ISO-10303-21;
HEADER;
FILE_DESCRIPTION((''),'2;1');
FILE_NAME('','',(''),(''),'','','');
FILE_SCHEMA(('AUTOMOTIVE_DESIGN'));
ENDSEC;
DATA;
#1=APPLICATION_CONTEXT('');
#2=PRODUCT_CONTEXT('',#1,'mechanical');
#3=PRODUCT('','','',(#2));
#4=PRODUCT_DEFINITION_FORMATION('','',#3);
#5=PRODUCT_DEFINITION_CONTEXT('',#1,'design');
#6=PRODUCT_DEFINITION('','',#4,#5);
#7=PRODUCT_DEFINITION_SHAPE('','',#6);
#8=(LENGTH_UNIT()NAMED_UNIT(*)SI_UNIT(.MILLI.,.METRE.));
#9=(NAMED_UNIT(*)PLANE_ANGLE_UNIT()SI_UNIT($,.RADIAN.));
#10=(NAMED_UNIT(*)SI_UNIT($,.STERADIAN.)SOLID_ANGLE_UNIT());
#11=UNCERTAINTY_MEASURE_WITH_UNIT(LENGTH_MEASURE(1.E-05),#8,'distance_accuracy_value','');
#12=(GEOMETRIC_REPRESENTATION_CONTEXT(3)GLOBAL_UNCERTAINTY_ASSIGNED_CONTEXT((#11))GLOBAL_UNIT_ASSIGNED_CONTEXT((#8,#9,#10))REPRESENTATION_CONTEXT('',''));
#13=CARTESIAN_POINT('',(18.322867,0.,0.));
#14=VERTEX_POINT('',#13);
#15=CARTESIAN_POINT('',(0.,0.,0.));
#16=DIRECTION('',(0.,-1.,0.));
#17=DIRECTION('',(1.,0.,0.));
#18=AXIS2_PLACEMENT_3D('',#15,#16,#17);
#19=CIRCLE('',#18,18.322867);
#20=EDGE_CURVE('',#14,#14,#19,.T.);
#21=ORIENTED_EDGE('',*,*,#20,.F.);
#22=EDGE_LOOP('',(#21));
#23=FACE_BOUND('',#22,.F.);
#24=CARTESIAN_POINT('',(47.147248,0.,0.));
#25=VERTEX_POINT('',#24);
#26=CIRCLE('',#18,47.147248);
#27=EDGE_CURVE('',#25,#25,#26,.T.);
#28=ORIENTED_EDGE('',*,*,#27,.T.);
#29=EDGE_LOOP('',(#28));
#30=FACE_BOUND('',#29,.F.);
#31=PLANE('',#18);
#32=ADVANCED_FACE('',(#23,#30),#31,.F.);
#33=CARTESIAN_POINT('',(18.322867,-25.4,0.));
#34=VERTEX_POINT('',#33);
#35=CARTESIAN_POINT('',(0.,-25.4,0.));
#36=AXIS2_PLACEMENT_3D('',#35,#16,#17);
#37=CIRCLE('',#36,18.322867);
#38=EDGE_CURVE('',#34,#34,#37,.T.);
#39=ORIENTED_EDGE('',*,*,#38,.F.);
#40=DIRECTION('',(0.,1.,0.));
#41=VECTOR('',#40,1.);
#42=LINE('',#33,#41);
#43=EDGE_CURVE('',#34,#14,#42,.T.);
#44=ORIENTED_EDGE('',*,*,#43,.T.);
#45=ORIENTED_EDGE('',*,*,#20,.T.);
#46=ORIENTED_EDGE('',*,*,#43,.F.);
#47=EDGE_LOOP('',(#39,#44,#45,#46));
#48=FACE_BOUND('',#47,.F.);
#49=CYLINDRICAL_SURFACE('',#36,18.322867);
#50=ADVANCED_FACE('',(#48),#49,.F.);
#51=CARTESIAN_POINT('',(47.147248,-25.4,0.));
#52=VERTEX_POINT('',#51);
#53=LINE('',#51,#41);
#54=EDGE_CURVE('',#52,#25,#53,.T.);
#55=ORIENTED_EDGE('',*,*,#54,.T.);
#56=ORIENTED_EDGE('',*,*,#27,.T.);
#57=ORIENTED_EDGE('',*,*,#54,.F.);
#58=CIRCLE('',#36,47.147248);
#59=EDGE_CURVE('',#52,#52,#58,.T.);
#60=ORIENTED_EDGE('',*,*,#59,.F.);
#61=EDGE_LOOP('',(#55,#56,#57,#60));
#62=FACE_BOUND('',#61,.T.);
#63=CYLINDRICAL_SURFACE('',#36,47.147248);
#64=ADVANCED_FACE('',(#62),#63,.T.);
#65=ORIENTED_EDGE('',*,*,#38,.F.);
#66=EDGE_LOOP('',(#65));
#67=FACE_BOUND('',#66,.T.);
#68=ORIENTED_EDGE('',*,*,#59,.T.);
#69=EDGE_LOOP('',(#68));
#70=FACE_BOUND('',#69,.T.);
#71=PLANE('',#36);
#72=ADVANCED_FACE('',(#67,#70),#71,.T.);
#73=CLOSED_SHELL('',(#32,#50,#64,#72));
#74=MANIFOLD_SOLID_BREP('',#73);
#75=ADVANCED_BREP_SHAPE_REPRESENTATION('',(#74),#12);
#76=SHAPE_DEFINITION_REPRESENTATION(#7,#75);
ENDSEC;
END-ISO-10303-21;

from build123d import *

# Parameters (mm, degrees)
F0_R     = 74.956114
F1_DEPTH = 25.4
F2_R     = 47.147248
F3_DEPTH = 25.4
F5_R     = 18.322867
F4_DEPTH = 73.656926


with BuildPart() as f1:
    # F0 (on Front) → F1 (new body)
    with BuildSketch(Plane.XZ):
        Circle(F0_R)
    extrude(amount=F1_DEPTH)

    # F2 (on face) → F3 (intersect)
    with BuildSketch(Plane.XZ.offset(25.4)):
        Circle(F2_R)
    extrude(amount=-F3_DEPTH, mode=Mode.INTERSECT)

    # F5 (on face) → F4 (cut)
    with BuildSketch(Plane.XZ.offset(25.4)):
        Circle(F5_R)
    extrude(amount=-F4_DEPTH, mode=Mode.SUBTRACT)


solid = f1.part
